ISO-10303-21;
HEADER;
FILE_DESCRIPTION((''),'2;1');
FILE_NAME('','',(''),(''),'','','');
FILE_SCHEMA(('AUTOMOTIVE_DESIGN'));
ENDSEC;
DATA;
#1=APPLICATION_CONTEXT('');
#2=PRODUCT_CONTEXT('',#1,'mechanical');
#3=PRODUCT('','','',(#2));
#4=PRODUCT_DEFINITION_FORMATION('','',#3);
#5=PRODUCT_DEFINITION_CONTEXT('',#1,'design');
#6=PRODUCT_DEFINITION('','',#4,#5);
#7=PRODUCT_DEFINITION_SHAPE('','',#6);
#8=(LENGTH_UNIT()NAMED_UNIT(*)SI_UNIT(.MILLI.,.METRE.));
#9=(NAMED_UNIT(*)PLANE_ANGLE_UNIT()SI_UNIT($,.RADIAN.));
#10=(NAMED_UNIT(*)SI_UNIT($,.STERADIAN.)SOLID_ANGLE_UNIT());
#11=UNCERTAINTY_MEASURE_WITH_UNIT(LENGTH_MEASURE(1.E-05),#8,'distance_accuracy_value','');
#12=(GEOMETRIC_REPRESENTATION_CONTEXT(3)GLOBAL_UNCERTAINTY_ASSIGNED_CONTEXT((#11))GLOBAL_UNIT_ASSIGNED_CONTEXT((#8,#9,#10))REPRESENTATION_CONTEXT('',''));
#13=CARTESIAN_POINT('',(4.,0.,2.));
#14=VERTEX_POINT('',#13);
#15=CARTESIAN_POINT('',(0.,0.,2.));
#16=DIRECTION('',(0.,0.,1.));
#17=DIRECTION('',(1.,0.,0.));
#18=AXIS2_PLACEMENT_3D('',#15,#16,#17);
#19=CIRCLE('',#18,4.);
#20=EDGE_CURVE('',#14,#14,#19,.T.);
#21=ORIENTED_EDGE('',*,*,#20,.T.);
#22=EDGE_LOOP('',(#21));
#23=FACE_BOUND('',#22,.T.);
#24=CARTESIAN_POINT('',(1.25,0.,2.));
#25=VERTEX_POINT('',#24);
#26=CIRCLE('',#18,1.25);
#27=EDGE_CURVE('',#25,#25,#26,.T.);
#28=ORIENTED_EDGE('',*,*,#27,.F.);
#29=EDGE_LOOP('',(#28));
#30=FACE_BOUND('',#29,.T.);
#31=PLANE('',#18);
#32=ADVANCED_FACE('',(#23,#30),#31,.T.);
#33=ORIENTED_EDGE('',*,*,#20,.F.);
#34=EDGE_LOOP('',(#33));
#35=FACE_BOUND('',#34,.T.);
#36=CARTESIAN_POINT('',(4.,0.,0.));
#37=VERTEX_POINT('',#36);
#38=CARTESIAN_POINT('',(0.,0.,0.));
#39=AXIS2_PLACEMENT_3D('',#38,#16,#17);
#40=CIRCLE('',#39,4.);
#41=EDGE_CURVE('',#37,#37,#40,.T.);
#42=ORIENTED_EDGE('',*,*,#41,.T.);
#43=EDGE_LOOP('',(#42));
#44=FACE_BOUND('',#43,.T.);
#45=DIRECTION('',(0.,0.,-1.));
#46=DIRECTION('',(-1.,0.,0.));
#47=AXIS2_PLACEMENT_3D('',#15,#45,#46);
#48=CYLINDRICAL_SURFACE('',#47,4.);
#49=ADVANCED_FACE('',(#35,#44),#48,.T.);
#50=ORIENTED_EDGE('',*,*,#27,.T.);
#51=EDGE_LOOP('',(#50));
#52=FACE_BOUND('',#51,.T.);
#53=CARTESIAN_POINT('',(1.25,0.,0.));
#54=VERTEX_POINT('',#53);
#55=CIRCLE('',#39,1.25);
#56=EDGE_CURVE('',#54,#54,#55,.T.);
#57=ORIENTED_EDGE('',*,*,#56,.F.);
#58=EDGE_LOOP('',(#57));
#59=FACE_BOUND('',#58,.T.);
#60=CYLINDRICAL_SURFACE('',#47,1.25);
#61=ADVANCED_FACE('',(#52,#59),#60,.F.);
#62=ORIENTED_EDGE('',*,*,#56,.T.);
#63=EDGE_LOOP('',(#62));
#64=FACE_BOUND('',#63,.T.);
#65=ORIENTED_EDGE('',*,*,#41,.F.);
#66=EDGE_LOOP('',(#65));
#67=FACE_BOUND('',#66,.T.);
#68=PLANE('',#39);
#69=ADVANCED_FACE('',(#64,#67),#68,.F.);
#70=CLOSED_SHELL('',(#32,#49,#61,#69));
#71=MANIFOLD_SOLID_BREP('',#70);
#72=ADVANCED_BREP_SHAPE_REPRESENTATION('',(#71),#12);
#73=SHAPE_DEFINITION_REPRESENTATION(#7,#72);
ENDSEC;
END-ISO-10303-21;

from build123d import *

# Parameters (mm, degrees)
ESQUISSE1_R          = 4
ESQUISSE1_R_2        = 1.25
BASE_EXTRUSION_DEPTH = 2


with BuildPart() as part:
    # Esquisse1 → Base-Extrusion (new body)
    with BuildSketch(Plane.XY):
        Circle(ESQUISSE1_R)
        Circle(ESQUISSE1_R_2, mode=Mode.SUBTRACT)
    extrude(amount=BASE_EXTRUSION_DEPTH)


solid = part.part
